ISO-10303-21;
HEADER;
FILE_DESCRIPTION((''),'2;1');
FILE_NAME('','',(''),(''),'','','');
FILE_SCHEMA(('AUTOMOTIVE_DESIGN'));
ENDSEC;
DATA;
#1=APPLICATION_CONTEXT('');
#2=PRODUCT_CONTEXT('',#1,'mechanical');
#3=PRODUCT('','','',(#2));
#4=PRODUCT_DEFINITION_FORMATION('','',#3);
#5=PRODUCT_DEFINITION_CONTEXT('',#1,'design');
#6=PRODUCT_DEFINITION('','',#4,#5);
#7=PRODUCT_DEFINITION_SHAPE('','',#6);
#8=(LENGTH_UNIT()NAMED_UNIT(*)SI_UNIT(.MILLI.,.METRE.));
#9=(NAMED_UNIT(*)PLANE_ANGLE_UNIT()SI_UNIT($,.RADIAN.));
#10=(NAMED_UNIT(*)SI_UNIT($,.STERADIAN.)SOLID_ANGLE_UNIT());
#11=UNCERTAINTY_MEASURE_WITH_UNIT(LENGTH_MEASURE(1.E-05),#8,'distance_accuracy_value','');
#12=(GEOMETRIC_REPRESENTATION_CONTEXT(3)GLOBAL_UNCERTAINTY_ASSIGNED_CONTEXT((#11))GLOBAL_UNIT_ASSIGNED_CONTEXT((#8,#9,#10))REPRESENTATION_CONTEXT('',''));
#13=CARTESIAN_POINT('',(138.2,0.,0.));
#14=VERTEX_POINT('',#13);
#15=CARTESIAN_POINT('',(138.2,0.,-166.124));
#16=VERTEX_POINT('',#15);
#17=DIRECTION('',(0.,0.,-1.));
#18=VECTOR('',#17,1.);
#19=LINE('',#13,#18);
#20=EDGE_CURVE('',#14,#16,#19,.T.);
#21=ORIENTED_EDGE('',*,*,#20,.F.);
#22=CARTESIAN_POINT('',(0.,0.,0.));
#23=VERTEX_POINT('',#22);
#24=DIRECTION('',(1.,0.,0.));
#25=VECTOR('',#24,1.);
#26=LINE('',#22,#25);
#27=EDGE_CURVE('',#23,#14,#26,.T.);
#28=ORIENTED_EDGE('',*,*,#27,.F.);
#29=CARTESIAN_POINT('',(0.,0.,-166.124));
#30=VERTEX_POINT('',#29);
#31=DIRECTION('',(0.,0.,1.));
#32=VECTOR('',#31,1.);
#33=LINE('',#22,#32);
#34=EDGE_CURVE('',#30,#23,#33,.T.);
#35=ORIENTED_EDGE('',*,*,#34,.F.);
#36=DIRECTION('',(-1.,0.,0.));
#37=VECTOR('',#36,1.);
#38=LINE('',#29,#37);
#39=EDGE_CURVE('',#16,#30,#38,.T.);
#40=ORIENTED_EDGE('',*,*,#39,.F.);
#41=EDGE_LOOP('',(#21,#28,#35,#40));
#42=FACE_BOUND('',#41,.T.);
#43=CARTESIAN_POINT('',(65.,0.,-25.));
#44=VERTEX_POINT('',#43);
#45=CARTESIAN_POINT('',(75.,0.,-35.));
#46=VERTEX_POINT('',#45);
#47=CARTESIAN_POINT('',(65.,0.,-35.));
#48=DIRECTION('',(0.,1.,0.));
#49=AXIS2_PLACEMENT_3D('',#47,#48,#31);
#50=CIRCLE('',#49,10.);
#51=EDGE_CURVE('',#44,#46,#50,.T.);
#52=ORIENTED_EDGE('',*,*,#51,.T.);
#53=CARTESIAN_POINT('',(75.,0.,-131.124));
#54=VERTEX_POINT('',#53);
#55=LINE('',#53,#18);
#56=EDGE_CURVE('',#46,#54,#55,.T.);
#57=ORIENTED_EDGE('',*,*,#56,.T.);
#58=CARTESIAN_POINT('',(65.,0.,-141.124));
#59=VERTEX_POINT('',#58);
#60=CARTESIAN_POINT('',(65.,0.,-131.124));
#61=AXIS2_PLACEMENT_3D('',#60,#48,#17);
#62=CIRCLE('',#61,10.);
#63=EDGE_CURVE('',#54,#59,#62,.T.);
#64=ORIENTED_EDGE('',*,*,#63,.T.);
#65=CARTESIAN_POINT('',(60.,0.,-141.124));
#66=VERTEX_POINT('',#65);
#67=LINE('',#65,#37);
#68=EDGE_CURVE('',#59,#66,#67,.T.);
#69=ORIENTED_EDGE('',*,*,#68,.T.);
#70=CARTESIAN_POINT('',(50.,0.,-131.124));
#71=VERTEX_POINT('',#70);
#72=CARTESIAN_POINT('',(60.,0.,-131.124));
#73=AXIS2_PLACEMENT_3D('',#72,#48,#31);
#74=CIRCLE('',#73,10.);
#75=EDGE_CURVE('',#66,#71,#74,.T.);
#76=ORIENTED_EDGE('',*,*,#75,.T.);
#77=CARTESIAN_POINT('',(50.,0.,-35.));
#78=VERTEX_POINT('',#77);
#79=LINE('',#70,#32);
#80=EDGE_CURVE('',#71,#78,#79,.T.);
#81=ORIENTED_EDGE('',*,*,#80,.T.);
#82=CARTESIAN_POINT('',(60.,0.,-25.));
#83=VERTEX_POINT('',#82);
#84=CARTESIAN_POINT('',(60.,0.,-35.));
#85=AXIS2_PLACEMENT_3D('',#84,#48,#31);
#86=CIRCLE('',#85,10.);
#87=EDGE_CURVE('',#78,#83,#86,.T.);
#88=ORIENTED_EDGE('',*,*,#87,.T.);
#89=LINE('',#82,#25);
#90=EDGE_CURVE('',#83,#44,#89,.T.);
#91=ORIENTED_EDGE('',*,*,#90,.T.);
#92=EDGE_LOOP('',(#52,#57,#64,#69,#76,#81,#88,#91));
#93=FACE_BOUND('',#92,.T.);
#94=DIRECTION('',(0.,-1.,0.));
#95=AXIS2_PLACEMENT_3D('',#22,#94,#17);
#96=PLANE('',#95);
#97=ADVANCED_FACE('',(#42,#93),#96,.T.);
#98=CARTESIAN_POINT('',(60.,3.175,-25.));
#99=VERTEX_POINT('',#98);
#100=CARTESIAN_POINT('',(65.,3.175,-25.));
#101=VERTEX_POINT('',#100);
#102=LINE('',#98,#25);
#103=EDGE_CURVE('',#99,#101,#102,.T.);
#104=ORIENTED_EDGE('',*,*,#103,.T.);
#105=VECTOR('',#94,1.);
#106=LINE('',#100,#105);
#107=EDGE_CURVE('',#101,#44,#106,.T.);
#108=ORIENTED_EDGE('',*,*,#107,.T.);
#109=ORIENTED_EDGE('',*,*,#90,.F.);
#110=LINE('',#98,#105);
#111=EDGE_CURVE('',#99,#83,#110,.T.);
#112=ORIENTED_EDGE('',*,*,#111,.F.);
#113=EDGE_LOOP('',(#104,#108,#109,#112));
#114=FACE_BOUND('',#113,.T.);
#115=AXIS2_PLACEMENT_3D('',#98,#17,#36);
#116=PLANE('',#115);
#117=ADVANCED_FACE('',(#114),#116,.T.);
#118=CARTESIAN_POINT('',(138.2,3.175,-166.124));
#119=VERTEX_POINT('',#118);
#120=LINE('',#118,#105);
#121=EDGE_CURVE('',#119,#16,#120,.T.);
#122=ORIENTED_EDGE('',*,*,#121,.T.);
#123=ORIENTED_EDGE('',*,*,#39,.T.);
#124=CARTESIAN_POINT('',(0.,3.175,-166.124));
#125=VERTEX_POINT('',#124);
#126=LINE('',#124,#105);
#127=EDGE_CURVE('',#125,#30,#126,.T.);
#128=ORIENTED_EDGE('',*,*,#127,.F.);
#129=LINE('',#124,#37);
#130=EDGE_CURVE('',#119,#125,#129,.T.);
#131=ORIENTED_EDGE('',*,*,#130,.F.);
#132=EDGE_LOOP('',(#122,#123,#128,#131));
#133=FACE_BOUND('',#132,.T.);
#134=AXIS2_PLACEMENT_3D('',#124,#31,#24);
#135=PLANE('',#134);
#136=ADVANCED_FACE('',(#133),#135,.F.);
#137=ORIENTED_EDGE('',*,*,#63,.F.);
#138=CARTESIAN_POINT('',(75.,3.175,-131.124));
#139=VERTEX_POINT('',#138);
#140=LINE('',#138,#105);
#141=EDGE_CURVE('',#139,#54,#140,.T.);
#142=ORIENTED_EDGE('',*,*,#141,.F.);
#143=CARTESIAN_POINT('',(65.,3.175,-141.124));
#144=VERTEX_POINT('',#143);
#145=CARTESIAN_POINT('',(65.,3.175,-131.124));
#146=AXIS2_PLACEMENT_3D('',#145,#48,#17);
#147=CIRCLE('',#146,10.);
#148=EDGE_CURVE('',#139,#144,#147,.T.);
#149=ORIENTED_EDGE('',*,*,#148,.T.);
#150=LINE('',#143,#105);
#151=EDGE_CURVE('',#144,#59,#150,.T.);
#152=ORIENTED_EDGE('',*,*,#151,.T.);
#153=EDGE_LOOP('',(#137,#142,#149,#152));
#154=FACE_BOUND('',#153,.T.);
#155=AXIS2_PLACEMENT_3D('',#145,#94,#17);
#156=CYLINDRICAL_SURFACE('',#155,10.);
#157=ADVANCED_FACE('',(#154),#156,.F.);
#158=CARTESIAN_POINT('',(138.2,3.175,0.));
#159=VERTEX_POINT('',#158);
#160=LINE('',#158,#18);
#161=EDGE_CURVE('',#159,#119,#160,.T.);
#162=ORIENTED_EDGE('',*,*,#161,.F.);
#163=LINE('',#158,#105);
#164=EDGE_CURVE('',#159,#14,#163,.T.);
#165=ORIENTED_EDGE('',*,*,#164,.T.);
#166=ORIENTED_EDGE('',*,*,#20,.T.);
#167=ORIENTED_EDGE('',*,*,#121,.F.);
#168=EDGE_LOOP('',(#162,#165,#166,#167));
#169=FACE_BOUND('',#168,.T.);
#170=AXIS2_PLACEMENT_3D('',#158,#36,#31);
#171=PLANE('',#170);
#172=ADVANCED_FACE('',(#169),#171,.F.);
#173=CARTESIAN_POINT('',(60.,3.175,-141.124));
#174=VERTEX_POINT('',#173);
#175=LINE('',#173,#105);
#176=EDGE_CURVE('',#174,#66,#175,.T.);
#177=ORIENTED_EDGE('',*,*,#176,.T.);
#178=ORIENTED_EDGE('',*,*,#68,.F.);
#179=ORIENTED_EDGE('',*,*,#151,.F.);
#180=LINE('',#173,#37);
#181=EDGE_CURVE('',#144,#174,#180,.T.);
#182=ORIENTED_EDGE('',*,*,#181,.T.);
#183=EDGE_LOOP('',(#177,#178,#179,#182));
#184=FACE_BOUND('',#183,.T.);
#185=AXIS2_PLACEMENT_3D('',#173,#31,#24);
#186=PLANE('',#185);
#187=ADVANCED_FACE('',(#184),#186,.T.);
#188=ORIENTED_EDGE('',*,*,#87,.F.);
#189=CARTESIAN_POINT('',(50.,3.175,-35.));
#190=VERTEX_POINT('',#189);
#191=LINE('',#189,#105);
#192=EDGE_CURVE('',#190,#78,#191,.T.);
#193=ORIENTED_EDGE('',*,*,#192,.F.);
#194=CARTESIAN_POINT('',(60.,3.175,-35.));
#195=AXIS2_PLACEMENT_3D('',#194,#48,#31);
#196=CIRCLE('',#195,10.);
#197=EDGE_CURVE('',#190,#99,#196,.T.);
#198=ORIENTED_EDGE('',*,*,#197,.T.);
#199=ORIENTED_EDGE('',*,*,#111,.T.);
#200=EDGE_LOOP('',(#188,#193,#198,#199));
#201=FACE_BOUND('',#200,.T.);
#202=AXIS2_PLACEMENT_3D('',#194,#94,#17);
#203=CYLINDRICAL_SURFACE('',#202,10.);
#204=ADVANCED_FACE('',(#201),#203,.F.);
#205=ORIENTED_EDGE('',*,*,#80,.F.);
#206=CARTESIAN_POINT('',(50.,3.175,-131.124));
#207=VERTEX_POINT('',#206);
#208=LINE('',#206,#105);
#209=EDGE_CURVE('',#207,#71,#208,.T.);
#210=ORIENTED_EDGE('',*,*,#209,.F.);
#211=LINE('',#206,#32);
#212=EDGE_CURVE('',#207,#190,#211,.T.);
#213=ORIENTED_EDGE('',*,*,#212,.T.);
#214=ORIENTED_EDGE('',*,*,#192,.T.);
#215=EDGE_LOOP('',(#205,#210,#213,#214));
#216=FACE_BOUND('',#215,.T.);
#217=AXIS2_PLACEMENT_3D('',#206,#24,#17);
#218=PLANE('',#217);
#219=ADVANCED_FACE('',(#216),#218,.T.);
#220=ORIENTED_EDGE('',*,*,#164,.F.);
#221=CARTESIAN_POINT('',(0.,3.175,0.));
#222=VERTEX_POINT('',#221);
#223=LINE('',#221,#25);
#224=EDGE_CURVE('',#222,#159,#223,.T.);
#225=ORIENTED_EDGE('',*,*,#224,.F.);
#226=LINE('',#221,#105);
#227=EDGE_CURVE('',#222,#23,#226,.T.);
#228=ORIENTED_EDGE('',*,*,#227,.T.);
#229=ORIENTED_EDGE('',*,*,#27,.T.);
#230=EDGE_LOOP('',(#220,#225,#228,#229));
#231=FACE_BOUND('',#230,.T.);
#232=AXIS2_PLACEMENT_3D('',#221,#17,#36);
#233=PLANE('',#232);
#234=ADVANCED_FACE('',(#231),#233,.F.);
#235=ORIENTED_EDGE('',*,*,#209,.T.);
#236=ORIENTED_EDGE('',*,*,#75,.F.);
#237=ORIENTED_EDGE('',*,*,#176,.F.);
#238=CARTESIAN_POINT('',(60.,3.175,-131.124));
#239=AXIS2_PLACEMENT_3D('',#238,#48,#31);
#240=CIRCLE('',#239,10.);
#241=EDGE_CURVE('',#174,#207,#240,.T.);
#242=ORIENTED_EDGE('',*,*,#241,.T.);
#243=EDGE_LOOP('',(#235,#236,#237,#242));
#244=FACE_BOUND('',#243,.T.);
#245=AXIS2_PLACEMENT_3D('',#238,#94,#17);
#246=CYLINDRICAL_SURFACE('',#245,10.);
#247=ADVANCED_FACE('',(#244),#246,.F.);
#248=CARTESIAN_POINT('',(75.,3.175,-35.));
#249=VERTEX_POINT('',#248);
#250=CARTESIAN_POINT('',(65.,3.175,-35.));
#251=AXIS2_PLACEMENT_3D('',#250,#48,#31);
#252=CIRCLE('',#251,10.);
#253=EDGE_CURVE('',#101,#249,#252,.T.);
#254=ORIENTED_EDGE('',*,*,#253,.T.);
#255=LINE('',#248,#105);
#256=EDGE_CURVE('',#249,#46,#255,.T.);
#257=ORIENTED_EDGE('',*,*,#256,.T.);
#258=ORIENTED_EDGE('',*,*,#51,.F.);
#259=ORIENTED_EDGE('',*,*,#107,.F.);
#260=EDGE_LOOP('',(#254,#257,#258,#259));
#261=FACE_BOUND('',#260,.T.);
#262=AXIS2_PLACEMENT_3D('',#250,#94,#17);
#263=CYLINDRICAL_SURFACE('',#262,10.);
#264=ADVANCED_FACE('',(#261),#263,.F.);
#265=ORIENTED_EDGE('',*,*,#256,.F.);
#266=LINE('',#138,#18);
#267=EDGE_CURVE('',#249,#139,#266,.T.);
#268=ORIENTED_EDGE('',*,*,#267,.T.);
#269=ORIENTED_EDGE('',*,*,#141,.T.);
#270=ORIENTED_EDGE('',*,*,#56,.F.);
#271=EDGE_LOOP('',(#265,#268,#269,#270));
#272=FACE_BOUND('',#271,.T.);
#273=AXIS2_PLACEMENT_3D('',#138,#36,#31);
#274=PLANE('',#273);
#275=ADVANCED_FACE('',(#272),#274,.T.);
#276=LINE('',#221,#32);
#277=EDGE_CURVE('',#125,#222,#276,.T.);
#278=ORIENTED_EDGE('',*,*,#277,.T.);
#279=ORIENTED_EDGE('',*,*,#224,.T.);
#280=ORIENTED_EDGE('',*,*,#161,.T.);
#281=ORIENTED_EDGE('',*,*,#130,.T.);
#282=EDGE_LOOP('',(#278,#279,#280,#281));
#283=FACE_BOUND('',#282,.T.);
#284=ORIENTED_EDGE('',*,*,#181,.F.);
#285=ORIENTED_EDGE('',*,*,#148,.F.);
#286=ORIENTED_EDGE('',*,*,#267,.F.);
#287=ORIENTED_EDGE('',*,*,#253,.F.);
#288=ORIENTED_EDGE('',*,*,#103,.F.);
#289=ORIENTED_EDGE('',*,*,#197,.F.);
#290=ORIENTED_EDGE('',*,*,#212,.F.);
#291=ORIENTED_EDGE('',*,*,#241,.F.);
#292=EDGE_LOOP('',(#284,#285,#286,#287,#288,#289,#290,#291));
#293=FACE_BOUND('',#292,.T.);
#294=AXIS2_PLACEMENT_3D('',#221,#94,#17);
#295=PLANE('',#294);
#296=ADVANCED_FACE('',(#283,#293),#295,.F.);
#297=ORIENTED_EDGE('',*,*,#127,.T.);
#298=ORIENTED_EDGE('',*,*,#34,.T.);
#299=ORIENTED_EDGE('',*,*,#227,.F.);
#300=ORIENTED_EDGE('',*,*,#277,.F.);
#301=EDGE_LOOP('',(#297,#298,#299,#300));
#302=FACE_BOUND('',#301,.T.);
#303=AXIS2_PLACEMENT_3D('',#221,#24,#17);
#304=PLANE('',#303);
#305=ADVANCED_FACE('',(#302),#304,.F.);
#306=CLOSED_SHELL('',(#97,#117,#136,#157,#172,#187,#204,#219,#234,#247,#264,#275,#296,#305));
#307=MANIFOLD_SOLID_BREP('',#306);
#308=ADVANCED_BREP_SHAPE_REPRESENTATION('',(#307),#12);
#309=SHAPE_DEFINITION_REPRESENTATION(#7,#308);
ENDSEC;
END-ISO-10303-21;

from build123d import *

# Parameters (mm, degrees)
SKETCH1_W           = 138.2
SKETCH1_H           = 166.124
BOSS_EXTRUDE1_DEPTH = 3.175


with BuildPart() as part:
    # Sketch1 → Boss-Extrude1 (new body)
    with BuildSketch(Plane(origin=(0, 0, 0), x_dir=(1, 0, 0), z_dir=(0, 1, 0))):
        with Locations((69.1, 83.062)):
            Rectangle(SKETCH1_W, SKETCH1_H)
        with BuildLine():
            Line((60, 141.124), (65, 141.124))
            ThreePointArc((65, 141.124), (72.071067812, 138.195067812), (75, 131.124))
            Line((75, 131.124), (75, 35))
            ThreePointArc((75, 35), (72.071067812, 27.928932188), (65, 25))
            Line((65, 25), (60, 25))
            ThreePointArc((60, 25), (52.928932188, 27.928932188), (50, 35))
            Line((50, 35), (50, 131.124))
            ThreePointArc((50, 131.124), (52.928932188, 138.195067812), (60, 141.124))
        make_face(mode=Mode.SUBTRACT)
    extrude(amount=BOSS_EXTRUDE1_DEPTH)


solid = part.part
